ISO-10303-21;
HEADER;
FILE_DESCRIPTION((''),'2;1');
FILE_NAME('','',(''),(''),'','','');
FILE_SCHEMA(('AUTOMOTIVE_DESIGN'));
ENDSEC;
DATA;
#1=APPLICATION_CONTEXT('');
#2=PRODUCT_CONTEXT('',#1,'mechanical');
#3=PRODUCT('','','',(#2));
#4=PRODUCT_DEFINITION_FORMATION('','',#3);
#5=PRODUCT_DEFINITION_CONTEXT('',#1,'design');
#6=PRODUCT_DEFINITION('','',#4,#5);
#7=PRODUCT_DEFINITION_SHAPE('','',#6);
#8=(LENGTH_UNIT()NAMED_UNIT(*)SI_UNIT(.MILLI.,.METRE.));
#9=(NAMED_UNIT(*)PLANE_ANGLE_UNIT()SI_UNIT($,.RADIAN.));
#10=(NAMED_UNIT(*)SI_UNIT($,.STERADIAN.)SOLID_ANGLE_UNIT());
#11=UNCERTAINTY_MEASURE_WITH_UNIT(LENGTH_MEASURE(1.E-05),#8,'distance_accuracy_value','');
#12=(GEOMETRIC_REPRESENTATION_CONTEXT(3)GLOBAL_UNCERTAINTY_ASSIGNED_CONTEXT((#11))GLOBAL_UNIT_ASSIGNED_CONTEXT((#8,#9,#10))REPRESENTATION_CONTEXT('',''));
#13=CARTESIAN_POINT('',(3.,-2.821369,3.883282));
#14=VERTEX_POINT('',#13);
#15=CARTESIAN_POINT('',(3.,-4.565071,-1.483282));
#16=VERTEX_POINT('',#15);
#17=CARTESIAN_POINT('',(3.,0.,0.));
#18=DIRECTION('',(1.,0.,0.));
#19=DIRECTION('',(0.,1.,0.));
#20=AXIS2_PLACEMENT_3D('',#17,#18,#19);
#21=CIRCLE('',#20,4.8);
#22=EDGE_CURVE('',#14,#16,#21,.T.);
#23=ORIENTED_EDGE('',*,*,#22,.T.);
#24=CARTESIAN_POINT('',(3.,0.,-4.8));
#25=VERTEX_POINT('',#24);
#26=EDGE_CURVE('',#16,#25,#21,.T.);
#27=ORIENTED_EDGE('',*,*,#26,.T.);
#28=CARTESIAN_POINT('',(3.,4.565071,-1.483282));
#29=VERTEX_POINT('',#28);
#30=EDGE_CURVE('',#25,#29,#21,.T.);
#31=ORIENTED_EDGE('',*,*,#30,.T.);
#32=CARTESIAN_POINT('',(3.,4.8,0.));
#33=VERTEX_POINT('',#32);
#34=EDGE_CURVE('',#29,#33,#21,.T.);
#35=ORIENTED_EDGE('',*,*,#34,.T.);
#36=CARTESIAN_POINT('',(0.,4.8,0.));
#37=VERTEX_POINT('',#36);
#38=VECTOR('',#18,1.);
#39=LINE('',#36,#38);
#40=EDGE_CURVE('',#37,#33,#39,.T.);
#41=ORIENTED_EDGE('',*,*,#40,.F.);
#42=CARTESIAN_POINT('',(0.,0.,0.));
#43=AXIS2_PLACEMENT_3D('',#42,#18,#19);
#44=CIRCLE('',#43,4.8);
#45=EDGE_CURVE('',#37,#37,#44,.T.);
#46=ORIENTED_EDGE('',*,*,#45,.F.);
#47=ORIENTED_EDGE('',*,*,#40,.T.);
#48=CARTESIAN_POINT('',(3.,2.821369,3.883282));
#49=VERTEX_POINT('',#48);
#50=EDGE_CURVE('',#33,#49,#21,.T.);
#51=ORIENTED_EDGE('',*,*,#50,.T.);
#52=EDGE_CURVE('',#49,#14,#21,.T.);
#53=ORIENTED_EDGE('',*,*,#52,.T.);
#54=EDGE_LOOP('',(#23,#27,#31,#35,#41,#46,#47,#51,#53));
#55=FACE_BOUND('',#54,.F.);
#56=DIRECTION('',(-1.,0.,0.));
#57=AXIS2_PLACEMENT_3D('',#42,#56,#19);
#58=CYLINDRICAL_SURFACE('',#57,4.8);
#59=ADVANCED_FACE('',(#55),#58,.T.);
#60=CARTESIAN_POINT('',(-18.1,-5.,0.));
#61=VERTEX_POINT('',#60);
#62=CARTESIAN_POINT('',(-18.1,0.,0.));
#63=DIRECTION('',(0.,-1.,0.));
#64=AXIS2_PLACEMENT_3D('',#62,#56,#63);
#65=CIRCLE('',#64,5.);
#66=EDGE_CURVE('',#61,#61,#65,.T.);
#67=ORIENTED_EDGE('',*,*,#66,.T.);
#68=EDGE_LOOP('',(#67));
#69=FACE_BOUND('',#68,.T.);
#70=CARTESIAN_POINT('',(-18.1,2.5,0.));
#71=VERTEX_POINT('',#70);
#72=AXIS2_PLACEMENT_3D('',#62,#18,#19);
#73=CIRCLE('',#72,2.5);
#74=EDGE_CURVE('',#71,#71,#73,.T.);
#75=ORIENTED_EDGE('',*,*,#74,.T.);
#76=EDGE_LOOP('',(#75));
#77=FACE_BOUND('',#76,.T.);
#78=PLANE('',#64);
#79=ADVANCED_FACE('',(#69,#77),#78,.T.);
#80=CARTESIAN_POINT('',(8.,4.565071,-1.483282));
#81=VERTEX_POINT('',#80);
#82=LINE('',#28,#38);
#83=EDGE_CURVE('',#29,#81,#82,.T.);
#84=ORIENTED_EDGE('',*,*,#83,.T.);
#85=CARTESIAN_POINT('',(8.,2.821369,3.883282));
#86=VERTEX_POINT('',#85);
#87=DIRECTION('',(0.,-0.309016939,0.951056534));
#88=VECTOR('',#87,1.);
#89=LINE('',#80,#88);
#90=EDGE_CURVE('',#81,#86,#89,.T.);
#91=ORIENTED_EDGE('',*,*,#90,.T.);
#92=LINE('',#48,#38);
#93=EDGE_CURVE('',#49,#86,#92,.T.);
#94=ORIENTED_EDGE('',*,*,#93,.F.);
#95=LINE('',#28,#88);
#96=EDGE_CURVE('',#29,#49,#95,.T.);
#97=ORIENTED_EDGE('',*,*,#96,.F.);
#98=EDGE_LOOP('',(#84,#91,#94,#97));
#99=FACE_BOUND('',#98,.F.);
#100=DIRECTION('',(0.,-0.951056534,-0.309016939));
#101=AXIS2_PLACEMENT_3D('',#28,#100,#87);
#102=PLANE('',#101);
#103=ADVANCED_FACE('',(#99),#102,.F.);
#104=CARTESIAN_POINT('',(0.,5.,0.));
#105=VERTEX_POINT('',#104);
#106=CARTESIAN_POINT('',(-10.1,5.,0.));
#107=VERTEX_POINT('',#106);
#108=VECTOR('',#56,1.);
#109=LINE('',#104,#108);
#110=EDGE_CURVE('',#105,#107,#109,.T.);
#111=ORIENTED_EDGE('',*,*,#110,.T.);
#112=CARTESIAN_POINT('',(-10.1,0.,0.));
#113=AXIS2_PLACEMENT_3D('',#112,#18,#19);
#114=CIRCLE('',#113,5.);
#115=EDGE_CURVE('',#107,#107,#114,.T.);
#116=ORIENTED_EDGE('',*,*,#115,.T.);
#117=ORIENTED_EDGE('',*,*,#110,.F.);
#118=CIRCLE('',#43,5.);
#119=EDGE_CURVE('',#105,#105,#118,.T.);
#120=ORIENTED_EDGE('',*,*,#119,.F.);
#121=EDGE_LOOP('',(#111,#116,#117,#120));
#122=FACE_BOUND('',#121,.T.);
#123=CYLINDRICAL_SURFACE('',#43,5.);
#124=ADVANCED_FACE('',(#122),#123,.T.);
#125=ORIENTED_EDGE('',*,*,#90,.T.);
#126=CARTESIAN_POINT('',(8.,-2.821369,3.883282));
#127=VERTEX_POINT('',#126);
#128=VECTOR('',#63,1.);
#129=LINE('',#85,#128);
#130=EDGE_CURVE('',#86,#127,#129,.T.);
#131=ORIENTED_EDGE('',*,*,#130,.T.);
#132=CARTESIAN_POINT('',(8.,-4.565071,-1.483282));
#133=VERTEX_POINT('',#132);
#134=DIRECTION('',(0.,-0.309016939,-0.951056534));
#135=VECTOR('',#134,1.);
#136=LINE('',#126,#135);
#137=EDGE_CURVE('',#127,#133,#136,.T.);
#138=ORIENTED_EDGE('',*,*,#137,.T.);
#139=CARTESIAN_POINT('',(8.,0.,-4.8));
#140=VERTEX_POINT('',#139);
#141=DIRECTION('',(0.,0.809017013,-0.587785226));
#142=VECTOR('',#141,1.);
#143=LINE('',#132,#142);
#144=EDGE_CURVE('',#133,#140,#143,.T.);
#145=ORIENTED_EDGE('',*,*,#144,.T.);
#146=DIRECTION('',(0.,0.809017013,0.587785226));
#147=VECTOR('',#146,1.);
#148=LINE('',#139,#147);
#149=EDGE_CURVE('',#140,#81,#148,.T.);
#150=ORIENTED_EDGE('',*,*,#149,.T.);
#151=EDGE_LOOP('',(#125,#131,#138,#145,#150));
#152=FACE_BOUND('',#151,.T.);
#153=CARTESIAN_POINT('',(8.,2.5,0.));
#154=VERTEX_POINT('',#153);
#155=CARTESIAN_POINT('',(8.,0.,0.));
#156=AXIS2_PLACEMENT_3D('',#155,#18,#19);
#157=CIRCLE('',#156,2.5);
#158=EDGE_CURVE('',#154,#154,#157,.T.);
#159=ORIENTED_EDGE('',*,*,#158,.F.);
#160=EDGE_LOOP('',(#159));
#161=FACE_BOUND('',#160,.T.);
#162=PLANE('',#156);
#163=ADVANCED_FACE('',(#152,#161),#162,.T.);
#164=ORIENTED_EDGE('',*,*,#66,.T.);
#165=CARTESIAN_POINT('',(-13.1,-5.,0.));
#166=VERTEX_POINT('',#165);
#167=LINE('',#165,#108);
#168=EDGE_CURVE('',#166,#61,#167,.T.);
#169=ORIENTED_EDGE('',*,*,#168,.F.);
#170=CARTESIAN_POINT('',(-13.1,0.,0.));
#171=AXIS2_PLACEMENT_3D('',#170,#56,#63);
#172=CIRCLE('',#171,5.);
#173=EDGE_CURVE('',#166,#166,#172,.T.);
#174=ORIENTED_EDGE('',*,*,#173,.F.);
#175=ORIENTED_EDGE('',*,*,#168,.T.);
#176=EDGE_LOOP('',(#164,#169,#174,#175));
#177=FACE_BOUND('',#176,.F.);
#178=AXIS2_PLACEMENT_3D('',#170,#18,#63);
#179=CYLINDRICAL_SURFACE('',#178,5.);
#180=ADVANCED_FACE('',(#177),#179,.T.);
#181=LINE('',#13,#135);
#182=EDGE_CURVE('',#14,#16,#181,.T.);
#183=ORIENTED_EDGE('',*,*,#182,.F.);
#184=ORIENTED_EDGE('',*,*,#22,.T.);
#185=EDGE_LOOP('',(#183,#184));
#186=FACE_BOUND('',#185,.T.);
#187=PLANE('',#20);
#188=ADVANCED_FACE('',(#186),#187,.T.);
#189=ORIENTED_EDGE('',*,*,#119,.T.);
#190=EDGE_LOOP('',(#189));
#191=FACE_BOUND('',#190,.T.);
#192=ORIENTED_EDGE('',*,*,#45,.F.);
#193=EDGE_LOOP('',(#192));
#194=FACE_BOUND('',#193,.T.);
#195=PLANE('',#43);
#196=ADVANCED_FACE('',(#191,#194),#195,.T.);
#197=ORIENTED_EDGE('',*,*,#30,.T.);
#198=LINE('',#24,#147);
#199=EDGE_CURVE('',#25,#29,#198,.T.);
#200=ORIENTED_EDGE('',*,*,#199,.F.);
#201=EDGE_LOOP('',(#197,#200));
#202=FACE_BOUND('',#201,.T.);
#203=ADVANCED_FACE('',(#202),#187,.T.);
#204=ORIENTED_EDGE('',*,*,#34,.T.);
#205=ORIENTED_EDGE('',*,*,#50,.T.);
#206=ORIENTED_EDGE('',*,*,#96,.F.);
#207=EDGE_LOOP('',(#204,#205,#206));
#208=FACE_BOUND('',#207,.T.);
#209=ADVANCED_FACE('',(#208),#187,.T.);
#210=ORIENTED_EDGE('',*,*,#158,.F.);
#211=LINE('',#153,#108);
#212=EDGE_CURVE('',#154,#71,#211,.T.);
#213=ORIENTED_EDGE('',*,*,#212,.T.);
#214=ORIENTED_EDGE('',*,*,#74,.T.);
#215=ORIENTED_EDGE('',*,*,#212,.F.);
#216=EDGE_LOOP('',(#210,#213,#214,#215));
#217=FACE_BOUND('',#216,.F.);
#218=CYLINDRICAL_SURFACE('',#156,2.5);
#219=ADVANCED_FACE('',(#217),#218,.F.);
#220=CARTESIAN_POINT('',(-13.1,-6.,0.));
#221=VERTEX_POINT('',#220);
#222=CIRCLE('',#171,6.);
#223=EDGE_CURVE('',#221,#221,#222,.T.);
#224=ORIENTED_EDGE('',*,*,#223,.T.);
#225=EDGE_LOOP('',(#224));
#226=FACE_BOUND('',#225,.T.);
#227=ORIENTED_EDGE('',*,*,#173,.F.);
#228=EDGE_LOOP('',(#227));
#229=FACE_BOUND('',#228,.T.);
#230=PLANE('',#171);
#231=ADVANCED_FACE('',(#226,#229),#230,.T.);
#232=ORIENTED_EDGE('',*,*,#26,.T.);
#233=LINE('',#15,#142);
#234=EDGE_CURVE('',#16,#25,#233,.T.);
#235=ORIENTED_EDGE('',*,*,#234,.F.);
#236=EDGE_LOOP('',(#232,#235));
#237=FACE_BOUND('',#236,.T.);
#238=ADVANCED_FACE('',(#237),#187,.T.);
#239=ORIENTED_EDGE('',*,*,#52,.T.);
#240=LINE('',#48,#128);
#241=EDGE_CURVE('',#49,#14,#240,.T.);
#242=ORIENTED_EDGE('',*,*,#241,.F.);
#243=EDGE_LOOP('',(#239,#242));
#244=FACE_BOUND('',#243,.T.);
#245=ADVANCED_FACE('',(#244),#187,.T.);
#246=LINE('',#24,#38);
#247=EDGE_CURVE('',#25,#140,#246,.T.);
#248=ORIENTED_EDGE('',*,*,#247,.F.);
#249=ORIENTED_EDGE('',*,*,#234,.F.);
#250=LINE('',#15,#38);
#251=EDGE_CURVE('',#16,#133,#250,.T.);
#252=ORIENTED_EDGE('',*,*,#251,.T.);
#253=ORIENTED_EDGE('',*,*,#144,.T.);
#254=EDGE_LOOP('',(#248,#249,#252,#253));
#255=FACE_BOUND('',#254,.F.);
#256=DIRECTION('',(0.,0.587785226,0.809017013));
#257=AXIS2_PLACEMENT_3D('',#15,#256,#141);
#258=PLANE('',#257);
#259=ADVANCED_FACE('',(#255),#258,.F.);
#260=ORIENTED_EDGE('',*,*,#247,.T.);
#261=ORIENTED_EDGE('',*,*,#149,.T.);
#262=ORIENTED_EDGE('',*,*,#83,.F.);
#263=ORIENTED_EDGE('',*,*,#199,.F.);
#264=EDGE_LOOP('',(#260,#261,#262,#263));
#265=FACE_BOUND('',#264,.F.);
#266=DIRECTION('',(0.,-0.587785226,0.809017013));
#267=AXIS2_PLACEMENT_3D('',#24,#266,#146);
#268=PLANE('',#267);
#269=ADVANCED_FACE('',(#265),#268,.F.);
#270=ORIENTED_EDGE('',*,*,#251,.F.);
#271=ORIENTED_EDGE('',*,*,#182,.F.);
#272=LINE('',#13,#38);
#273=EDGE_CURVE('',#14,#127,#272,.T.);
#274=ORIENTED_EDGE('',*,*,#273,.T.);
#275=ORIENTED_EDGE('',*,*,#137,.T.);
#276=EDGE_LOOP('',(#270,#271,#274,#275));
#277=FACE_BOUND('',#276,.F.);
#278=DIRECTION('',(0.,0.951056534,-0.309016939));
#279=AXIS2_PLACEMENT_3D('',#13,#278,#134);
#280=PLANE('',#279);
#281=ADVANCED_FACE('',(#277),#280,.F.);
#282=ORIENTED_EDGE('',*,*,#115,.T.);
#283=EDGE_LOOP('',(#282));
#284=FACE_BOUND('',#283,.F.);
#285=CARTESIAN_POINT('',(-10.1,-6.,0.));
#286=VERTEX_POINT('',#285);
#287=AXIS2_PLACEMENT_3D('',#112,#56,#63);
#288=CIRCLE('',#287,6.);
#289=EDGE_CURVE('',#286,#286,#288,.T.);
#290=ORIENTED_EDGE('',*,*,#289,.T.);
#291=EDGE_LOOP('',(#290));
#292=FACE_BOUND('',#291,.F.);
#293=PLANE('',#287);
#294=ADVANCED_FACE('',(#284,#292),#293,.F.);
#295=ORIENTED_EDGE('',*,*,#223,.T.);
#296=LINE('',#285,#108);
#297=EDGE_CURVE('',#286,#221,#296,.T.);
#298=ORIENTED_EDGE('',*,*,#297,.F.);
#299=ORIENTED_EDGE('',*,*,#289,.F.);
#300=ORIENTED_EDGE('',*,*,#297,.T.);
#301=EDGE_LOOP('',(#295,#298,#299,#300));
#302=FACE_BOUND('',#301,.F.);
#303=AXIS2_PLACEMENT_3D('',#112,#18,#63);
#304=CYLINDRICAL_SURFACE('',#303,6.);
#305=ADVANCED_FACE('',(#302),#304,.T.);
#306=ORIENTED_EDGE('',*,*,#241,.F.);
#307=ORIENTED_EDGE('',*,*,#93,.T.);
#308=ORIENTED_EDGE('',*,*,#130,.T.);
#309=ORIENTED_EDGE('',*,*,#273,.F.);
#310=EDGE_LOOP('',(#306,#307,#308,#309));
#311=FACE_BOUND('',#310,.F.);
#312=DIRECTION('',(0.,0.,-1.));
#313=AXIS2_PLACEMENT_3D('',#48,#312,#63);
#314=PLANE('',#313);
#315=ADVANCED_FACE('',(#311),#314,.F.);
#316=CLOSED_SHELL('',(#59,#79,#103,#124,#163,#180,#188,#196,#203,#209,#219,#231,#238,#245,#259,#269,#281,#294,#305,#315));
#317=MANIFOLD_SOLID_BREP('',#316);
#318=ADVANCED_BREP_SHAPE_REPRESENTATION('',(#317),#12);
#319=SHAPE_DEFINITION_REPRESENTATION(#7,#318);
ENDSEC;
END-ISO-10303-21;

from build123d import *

# Parameters (mm, degrees)
F0_R      = 5
F1_DEPTH  = 10.1
F2_R      = 4.8
F3_DEPTH  = 3
F5_DEPTH  = 5
F6_R      = 6
F7_DEPTH  = 3
F8_R      = 5
F9_DEPTH  = 5
F10_R     = 2.5
F11_DEPTH = 80


with BuildPart() as f1:
    # F0 (on Right) → F1 (new body)
    with BuildSketch(Plane.YZ):
        Circle(F0_R)
    extrude(amount=-F1_DEPTH)

    # F2 (on face) → F3 (join)
    with BuildSketch(Plane.YZ):
        Circle(F2_R)
    extrude(amount=F3_DEPTH)

    # F4 (on face) → F5 (join)
    with BuildSketch(Plane.YZ.offset(3)):
        Polygon((-4.565071, -1.483282), (0, -4.8), (4.565071, -1.483282), (2.821369, 3.883282), (-2.821369, 3.883282), align=None)
    extrude(amount=F5_DEPTH)

    # F6 (on face) → F7 (join)
    with BuildSketch(Plane(origin=(-10.1, 0, 0), x_dir=(0, -1, 0), z_dir=(-1, 0, 0))):
        Circle(F6_R)
    extrude(amount=F7_DEPTH)

    # F8 (on face) → F9 (join)
    with BuildSketch(Plane(origin=(-13.1, 0, 0), x_dir=(0, -1, 0), z_dir=(-1, 0, 0))):
        Circle(F8_R)
    extrude(amount=F9_DEPTH)

    # F10 (on face) → F11 (cut)
    with BuildSketch(Plane.YZ.offset(8)):
        Circle(F10_R)
    extrude(amount=-F11_DEPTH, mode=Mode.SUBTRACT)


solid = f1.part
